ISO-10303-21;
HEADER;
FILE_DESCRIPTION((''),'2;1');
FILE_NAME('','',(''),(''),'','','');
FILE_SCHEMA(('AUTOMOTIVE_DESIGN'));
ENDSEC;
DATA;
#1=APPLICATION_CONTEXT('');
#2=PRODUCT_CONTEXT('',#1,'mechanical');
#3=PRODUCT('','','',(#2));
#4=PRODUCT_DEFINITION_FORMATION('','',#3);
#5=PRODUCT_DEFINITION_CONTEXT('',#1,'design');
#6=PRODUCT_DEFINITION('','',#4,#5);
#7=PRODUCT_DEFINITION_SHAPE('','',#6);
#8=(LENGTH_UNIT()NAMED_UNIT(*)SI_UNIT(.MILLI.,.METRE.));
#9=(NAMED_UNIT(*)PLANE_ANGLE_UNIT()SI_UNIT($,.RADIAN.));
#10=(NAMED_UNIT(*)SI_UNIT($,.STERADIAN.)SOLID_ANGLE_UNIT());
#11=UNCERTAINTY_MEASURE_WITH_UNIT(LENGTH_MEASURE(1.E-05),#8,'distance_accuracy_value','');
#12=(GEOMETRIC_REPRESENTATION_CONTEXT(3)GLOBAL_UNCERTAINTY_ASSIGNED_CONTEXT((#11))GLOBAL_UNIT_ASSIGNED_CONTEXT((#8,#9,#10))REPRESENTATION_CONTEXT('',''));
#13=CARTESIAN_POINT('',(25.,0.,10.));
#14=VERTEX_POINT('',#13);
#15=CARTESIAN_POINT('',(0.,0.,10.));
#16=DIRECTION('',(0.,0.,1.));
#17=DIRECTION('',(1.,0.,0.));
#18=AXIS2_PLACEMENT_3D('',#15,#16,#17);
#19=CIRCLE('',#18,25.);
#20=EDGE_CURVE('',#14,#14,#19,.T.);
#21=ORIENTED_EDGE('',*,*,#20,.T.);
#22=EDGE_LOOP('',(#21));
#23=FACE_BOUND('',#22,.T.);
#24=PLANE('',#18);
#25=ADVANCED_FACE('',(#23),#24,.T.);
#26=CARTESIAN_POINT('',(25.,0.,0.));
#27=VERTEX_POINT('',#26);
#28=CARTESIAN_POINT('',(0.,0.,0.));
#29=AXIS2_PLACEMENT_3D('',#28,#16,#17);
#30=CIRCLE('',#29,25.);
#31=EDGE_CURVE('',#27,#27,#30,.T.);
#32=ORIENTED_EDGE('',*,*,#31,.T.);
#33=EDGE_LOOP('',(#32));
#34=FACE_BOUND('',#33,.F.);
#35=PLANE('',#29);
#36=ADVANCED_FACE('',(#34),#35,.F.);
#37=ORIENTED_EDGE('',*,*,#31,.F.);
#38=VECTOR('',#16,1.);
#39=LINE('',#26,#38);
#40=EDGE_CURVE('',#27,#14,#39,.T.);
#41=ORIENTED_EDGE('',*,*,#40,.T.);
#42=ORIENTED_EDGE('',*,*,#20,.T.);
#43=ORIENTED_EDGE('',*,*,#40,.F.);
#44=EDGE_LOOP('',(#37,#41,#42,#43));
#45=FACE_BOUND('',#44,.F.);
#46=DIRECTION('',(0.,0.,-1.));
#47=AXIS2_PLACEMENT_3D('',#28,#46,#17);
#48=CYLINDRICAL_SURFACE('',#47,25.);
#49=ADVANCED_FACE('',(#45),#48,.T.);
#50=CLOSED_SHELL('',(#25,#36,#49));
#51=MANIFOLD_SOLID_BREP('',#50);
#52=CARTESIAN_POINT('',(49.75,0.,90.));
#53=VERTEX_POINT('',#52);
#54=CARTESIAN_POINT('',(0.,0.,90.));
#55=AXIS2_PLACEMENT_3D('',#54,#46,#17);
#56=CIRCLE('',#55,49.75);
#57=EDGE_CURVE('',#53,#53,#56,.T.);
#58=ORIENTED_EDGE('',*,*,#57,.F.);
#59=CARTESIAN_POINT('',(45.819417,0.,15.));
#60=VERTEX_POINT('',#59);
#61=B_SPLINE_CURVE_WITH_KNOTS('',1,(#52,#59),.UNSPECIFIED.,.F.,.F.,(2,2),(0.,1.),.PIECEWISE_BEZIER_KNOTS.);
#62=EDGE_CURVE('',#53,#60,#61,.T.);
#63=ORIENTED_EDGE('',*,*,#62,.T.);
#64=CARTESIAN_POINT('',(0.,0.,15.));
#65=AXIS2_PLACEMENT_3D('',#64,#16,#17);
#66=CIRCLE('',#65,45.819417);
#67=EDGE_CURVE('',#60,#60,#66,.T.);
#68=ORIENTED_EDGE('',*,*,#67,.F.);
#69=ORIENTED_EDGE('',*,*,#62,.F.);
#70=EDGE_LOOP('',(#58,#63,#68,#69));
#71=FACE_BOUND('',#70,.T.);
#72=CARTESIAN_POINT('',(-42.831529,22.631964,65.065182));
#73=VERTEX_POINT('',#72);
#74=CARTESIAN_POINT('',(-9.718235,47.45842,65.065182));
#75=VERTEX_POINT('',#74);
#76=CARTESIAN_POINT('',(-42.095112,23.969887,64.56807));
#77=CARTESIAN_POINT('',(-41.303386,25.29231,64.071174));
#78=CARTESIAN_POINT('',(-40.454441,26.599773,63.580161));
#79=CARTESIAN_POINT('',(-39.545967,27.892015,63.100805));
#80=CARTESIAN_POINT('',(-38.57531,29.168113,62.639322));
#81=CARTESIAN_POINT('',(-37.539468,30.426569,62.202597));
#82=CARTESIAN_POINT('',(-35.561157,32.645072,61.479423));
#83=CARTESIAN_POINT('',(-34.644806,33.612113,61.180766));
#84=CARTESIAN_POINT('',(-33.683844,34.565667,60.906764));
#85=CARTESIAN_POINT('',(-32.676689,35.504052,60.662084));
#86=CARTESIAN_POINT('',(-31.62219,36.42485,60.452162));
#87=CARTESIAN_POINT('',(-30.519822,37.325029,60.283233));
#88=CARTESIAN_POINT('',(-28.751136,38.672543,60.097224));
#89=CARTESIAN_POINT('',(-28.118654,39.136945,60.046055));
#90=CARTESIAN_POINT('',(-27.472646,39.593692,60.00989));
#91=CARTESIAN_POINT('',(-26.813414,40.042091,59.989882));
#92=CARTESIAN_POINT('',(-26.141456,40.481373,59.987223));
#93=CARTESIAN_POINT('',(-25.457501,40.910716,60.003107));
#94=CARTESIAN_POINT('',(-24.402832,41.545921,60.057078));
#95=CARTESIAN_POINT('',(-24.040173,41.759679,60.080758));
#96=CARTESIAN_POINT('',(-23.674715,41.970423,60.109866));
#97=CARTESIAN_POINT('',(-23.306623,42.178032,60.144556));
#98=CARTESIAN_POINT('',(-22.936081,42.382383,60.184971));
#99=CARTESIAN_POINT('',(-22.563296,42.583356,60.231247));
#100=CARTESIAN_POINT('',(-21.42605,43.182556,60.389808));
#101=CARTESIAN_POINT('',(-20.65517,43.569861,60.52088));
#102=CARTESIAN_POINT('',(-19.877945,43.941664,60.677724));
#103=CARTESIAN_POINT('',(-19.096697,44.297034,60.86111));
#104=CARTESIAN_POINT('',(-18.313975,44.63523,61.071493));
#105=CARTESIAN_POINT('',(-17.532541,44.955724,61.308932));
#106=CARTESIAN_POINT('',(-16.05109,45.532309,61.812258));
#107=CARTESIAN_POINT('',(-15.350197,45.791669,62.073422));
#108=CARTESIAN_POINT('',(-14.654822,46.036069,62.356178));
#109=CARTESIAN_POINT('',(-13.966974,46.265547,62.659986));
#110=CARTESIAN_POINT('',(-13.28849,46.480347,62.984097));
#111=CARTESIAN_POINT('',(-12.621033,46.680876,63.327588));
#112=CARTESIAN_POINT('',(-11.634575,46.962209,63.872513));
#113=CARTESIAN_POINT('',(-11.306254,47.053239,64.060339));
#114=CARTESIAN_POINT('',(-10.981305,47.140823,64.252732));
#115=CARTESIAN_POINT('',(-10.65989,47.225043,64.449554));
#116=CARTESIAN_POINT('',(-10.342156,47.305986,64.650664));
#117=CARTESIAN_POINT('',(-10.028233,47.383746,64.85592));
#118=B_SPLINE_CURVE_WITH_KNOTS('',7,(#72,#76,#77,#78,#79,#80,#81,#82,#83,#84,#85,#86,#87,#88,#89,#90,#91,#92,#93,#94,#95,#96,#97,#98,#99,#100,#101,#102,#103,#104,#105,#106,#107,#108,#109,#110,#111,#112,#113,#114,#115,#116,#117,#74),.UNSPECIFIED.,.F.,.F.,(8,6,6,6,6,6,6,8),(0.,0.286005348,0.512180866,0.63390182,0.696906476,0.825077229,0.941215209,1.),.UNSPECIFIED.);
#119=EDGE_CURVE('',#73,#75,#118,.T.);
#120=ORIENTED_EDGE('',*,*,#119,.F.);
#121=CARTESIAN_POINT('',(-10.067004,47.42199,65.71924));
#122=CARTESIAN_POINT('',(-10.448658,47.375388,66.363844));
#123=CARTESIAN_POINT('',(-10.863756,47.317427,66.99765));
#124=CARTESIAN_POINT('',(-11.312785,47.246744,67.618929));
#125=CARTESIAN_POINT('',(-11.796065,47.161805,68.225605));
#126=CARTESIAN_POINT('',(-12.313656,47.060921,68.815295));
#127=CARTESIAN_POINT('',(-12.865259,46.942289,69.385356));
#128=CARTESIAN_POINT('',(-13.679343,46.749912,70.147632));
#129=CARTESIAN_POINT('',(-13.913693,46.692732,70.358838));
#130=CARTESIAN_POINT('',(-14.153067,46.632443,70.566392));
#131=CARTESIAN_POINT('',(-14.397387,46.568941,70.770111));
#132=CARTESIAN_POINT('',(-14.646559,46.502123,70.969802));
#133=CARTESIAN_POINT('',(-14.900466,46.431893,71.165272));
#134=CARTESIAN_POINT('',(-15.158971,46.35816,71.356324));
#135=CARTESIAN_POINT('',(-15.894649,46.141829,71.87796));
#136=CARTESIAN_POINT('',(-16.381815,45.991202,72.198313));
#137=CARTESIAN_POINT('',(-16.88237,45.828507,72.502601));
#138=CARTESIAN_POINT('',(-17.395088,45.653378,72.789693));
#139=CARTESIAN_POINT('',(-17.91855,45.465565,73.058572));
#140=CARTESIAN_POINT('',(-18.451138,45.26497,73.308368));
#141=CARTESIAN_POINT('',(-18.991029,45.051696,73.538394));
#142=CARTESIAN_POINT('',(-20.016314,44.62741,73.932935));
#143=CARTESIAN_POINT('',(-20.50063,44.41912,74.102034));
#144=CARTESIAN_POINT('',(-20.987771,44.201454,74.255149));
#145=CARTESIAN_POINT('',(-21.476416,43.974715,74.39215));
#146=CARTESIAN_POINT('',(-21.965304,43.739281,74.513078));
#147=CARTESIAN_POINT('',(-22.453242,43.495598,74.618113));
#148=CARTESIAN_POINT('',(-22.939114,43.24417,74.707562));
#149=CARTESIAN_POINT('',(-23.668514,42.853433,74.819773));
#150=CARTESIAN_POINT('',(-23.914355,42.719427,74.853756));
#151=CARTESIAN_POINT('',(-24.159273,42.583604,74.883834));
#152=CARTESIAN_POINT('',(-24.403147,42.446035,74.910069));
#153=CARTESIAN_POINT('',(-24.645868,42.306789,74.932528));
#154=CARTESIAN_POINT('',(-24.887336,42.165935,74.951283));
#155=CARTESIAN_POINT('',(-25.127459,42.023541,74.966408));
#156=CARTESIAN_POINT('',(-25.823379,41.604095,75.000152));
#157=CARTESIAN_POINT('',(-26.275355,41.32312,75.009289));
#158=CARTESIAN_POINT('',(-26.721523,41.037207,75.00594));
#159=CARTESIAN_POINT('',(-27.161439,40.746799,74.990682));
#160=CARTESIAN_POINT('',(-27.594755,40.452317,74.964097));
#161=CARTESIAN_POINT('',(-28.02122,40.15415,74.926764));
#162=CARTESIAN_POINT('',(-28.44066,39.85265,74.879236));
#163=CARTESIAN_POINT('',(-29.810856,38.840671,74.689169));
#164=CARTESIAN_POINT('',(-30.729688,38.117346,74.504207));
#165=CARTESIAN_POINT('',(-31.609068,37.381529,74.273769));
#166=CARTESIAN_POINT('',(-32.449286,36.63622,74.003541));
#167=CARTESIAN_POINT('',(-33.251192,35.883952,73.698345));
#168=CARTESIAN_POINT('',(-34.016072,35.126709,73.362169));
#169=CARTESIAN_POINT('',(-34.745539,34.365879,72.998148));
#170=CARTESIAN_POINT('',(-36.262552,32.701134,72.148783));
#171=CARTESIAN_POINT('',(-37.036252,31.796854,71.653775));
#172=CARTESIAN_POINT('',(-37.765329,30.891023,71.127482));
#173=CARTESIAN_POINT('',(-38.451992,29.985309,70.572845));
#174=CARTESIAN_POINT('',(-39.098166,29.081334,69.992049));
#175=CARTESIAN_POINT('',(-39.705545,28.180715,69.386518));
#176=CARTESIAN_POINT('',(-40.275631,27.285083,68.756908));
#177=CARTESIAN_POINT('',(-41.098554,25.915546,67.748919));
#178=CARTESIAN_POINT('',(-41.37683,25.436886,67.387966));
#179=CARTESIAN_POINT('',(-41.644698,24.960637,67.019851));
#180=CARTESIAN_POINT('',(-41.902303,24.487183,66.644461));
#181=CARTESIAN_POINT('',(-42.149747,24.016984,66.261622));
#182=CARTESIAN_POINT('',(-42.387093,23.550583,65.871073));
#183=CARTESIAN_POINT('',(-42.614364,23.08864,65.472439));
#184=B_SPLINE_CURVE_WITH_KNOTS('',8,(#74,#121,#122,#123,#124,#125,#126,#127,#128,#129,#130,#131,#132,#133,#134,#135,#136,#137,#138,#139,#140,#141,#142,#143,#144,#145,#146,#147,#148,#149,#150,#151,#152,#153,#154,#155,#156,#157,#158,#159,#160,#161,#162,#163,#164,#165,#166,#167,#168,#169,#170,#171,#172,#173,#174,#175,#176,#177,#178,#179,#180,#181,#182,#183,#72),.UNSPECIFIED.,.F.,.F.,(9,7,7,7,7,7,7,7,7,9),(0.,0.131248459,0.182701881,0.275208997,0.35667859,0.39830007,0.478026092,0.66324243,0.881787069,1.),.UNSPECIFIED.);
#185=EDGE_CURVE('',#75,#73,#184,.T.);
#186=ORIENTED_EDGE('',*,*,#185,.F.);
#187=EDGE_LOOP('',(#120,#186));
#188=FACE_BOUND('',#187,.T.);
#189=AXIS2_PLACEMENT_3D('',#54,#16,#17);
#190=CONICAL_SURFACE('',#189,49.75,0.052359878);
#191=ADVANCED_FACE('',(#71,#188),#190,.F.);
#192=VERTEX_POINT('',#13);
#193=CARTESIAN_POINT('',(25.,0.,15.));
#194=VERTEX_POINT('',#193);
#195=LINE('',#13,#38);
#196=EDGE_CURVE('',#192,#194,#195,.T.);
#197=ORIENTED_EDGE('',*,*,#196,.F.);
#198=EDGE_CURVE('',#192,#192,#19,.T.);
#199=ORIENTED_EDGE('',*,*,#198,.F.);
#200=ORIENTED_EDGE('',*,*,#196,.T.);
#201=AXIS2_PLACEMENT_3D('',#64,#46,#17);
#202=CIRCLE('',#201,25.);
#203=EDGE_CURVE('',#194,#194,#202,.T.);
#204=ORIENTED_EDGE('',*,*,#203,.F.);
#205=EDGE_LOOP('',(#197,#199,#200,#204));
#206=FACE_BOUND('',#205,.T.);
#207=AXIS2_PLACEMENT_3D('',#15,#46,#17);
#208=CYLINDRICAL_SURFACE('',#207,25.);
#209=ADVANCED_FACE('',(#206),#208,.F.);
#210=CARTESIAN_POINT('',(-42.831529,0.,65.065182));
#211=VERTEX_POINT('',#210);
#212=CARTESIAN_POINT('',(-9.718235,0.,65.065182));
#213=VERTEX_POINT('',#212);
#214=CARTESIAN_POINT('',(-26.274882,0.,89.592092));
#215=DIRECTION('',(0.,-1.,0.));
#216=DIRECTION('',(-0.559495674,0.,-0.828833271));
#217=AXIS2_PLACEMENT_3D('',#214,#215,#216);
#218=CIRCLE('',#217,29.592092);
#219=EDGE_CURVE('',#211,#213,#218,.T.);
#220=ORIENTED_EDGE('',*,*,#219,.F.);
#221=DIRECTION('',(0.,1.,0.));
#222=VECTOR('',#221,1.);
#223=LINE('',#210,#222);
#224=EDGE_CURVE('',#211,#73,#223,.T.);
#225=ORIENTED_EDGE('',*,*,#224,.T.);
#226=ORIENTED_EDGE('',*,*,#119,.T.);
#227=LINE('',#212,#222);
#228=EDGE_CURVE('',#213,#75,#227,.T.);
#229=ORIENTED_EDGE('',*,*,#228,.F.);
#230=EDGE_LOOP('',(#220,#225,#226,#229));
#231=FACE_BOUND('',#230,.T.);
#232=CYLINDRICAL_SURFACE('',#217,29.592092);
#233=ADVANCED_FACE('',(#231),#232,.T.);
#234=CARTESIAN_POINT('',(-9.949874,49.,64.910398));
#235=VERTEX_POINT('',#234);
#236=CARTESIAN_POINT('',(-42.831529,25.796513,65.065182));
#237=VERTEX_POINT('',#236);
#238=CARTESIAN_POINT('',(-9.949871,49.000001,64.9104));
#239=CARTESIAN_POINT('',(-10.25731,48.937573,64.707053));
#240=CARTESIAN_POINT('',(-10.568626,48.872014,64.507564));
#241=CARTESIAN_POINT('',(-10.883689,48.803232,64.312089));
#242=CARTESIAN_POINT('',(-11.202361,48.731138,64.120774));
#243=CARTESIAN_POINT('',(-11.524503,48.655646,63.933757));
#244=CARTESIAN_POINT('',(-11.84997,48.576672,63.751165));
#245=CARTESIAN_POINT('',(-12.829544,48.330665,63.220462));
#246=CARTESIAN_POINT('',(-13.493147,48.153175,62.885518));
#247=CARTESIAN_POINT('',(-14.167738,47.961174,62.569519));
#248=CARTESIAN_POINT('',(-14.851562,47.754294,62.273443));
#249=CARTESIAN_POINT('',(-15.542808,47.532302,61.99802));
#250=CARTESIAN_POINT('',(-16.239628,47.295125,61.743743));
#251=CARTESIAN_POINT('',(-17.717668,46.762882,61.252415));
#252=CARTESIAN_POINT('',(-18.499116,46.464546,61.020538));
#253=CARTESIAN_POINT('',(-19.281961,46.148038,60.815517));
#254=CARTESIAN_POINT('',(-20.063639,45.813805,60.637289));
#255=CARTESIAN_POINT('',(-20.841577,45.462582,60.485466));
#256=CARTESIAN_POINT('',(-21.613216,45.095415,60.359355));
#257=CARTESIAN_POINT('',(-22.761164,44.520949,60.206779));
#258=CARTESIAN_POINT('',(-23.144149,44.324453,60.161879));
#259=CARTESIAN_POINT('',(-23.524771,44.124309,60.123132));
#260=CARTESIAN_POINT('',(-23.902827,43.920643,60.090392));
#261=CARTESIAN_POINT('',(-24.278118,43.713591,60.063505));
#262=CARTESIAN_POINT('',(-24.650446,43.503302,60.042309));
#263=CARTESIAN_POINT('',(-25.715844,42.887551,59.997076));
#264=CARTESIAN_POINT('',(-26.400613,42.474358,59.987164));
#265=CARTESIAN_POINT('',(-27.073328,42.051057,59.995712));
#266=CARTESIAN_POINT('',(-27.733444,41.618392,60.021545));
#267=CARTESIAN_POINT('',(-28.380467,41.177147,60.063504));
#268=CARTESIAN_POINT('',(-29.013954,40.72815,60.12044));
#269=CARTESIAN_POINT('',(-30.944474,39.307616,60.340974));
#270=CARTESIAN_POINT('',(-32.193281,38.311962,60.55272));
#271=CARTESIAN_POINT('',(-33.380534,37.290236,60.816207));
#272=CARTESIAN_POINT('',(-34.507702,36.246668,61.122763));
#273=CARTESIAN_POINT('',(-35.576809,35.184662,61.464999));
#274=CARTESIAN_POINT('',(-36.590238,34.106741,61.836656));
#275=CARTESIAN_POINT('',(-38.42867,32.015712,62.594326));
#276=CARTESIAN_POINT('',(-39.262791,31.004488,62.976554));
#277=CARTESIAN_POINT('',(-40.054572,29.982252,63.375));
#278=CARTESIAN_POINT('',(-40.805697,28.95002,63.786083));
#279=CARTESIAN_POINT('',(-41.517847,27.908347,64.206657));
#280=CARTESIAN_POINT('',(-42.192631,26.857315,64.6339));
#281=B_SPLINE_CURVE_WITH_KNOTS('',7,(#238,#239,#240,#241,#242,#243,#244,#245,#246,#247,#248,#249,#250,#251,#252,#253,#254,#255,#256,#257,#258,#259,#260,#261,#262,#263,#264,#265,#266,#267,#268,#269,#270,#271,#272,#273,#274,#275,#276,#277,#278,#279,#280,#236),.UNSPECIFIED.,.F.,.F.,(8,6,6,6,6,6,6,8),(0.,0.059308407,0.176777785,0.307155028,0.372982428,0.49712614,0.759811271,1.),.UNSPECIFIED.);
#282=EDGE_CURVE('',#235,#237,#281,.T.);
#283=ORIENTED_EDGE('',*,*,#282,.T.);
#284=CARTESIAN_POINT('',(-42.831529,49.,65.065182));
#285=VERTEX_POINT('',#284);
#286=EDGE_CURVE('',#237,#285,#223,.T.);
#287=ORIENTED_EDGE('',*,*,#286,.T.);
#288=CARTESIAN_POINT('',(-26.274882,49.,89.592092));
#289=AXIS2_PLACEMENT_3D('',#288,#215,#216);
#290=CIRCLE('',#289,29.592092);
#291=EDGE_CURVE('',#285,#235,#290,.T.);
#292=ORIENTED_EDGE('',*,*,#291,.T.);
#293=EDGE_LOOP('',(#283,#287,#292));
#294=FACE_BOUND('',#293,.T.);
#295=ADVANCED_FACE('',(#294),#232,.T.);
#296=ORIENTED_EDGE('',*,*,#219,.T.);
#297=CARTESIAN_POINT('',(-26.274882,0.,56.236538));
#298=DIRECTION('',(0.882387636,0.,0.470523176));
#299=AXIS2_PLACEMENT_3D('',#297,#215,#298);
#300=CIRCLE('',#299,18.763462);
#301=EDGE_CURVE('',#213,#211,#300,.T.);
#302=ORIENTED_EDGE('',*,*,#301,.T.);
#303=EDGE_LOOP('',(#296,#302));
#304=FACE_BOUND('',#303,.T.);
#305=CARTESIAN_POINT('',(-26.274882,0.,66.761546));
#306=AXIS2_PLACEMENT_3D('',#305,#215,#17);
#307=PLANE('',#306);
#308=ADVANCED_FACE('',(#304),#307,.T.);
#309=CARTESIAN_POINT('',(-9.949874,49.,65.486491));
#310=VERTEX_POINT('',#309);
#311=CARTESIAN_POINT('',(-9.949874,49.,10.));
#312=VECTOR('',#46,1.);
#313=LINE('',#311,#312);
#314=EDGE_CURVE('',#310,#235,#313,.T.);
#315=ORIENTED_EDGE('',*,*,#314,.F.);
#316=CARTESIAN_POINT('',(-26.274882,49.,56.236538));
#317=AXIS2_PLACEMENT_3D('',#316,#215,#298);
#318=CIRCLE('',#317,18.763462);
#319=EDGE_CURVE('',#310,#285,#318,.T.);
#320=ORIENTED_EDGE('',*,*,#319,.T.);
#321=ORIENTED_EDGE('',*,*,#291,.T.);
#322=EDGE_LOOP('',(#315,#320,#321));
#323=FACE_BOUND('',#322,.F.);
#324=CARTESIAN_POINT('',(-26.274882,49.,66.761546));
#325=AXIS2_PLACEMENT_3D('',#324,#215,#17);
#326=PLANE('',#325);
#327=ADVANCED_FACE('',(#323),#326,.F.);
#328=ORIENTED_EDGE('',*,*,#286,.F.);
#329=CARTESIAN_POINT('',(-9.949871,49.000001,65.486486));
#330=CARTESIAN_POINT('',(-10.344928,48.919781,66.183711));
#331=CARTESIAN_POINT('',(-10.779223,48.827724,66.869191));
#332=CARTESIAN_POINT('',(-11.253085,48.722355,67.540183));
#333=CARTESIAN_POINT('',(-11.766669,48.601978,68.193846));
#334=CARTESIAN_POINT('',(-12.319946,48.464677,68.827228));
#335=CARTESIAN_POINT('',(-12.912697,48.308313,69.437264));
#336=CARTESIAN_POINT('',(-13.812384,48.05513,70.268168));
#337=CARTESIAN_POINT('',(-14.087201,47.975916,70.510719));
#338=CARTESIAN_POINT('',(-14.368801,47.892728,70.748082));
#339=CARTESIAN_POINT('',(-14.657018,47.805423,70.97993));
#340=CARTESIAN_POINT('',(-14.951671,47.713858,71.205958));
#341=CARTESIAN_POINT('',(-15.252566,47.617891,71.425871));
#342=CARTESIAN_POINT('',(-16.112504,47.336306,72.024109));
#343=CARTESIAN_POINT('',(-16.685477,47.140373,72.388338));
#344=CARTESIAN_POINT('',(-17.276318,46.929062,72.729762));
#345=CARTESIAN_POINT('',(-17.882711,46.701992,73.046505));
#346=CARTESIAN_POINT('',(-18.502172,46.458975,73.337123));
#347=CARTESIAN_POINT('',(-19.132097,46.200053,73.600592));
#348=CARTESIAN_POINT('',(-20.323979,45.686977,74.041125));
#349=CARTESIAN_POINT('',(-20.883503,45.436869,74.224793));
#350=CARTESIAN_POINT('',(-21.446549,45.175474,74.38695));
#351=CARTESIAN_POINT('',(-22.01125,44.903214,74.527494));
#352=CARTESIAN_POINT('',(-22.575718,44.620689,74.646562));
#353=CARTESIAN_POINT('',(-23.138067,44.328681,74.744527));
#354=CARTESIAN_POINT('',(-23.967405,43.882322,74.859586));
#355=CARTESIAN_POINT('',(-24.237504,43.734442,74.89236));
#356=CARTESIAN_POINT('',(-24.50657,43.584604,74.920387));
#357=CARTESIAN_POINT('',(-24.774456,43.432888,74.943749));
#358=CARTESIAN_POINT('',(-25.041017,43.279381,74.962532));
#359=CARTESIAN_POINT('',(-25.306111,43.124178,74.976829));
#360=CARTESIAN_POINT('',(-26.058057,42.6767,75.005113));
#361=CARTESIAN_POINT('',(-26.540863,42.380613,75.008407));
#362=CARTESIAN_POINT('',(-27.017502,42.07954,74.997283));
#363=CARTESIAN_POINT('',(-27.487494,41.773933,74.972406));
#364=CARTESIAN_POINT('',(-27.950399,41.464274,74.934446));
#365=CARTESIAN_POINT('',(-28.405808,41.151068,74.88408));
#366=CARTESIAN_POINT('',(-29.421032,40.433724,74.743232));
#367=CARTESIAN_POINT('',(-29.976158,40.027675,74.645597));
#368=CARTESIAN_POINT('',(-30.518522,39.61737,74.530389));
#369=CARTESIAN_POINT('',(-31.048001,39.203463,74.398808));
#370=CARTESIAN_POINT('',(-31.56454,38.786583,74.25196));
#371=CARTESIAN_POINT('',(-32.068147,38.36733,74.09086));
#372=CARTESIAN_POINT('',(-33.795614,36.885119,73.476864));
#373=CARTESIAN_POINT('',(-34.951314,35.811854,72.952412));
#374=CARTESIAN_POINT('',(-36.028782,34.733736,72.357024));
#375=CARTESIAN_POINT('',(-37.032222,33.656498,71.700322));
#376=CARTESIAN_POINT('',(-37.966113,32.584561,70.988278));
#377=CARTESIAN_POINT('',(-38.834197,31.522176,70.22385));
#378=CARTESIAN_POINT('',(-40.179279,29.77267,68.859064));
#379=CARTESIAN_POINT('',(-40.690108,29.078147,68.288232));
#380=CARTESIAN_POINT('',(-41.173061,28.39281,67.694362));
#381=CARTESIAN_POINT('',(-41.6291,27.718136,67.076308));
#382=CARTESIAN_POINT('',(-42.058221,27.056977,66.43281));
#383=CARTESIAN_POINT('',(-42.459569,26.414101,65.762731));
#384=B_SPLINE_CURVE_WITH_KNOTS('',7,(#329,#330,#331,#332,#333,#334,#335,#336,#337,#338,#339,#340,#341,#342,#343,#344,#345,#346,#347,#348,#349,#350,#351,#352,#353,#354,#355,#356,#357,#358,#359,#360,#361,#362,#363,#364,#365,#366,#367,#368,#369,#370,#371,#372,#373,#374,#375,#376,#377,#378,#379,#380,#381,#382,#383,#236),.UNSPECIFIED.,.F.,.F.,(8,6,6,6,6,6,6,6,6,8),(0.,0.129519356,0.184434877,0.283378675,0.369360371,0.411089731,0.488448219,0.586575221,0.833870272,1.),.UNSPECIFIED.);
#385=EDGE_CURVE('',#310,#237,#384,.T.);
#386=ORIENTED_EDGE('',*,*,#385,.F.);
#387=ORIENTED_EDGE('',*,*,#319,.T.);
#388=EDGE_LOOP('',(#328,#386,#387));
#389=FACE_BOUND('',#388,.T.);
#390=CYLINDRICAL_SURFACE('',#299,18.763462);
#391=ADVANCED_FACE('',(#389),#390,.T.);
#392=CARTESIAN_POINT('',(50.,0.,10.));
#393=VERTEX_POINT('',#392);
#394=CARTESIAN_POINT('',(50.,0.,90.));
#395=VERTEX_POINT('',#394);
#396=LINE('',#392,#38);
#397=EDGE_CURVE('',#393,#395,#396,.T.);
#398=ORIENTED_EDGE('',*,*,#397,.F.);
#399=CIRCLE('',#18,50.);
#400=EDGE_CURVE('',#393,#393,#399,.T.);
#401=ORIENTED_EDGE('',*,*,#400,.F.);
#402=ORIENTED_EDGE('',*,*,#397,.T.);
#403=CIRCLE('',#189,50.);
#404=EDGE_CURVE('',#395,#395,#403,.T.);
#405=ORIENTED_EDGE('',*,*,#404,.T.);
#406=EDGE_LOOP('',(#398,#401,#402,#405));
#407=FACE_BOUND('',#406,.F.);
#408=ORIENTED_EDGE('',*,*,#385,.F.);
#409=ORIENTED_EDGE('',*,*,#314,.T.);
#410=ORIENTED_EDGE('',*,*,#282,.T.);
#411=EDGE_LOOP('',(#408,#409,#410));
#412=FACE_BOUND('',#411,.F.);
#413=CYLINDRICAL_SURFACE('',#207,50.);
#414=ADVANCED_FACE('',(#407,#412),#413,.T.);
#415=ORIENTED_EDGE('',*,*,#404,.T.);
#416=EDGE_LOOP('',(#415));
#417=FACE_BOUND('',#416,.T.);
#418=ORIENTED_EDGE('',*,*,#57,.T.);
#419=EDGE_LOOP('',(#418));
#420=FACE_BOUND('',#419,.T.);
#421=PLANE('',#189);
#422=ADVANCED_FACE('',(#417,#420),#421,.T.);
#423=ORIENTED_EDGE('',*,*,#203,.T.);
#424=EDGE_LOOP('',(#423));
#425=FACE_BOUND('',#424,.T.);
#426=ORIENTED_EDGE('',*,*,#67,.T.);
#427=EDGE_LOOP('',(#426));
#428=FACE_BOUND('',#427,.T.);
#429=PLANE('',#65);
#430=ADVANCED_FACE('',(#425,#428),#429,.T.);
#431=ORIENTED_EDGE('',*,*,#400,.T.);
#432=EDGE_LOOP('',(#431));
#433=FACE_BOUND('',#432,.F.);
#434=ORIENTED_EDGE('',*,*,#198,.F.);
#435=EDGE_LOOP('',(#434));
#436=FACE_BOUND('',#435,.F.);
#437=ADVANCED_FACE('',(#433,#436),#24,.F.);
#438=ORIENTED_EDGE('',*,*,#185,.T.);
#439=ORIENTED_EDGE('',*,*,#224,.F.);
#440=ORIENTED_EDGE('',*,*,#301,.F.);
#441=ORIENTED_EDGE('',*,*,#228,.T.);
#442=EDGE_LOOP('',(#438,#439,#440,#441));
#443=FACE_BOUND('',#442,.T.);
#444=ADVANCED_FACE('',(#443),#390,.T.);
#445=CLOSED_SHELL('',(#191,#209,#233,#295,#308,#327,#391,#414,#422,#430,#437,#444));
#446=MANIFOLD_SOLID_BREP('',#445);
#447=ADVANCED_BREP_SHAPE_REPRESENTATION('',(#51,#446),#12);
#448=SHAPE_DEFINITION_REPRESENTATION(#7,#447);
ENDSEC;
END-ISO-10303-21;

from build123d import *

# Parameters (mm, degrees)
F0_R     = 25
F1_DEPTH = 10
F2_R     = 50
F2_R_2   = 25
F3_DEPTH = 80
F4_R     = 49.75
F5_DEPTH = 75
F5_TAPER = 3
F7_DEPTH = 49


with BuildPart() as f1:
    # F0 (on Top) → F1 (new body)
    with BuildSketch(Plane.XY):
        Circle(F0_R)
    extrude(amount=F1_DEPTH)


with BuildPart() as f3:
    # F2 (on face) → F3 (new body)
    with BuildSketch(Plane.XY.offset(10)):
        Circle(F2_R)
        Circle(F2_R_2, mode=Mode.SUBTRACT)
    extrude(amount=F3_DEPTH)

    # F4 (on face) → F5 (cut)
    with BuildSketch(Plane.XY.offset(90)):
        Circle(F4_R)
    extrude(amount=-F5_DEPTH, taper=F5_TAPER, mode=Mode.SUBTRACT)

    # F6 (on Front) → F7 (join)
    with BuildSketch(Plane.XZ):
        with BuildLine():
            ThreePointArc((-9.7182350287, 65.0651815314), (-26.274882257, 75), (-42.8315294853, 65.0651815314))
            ThreePointArc((-42.8315294853, 65.0651815314), (-26.274882257, 60), (-9.7182350287, 65.0651815314))
        make_face()
    extrude(amount=-F7_DEPTH)


solid = Compound([f1.part, f3.part])
